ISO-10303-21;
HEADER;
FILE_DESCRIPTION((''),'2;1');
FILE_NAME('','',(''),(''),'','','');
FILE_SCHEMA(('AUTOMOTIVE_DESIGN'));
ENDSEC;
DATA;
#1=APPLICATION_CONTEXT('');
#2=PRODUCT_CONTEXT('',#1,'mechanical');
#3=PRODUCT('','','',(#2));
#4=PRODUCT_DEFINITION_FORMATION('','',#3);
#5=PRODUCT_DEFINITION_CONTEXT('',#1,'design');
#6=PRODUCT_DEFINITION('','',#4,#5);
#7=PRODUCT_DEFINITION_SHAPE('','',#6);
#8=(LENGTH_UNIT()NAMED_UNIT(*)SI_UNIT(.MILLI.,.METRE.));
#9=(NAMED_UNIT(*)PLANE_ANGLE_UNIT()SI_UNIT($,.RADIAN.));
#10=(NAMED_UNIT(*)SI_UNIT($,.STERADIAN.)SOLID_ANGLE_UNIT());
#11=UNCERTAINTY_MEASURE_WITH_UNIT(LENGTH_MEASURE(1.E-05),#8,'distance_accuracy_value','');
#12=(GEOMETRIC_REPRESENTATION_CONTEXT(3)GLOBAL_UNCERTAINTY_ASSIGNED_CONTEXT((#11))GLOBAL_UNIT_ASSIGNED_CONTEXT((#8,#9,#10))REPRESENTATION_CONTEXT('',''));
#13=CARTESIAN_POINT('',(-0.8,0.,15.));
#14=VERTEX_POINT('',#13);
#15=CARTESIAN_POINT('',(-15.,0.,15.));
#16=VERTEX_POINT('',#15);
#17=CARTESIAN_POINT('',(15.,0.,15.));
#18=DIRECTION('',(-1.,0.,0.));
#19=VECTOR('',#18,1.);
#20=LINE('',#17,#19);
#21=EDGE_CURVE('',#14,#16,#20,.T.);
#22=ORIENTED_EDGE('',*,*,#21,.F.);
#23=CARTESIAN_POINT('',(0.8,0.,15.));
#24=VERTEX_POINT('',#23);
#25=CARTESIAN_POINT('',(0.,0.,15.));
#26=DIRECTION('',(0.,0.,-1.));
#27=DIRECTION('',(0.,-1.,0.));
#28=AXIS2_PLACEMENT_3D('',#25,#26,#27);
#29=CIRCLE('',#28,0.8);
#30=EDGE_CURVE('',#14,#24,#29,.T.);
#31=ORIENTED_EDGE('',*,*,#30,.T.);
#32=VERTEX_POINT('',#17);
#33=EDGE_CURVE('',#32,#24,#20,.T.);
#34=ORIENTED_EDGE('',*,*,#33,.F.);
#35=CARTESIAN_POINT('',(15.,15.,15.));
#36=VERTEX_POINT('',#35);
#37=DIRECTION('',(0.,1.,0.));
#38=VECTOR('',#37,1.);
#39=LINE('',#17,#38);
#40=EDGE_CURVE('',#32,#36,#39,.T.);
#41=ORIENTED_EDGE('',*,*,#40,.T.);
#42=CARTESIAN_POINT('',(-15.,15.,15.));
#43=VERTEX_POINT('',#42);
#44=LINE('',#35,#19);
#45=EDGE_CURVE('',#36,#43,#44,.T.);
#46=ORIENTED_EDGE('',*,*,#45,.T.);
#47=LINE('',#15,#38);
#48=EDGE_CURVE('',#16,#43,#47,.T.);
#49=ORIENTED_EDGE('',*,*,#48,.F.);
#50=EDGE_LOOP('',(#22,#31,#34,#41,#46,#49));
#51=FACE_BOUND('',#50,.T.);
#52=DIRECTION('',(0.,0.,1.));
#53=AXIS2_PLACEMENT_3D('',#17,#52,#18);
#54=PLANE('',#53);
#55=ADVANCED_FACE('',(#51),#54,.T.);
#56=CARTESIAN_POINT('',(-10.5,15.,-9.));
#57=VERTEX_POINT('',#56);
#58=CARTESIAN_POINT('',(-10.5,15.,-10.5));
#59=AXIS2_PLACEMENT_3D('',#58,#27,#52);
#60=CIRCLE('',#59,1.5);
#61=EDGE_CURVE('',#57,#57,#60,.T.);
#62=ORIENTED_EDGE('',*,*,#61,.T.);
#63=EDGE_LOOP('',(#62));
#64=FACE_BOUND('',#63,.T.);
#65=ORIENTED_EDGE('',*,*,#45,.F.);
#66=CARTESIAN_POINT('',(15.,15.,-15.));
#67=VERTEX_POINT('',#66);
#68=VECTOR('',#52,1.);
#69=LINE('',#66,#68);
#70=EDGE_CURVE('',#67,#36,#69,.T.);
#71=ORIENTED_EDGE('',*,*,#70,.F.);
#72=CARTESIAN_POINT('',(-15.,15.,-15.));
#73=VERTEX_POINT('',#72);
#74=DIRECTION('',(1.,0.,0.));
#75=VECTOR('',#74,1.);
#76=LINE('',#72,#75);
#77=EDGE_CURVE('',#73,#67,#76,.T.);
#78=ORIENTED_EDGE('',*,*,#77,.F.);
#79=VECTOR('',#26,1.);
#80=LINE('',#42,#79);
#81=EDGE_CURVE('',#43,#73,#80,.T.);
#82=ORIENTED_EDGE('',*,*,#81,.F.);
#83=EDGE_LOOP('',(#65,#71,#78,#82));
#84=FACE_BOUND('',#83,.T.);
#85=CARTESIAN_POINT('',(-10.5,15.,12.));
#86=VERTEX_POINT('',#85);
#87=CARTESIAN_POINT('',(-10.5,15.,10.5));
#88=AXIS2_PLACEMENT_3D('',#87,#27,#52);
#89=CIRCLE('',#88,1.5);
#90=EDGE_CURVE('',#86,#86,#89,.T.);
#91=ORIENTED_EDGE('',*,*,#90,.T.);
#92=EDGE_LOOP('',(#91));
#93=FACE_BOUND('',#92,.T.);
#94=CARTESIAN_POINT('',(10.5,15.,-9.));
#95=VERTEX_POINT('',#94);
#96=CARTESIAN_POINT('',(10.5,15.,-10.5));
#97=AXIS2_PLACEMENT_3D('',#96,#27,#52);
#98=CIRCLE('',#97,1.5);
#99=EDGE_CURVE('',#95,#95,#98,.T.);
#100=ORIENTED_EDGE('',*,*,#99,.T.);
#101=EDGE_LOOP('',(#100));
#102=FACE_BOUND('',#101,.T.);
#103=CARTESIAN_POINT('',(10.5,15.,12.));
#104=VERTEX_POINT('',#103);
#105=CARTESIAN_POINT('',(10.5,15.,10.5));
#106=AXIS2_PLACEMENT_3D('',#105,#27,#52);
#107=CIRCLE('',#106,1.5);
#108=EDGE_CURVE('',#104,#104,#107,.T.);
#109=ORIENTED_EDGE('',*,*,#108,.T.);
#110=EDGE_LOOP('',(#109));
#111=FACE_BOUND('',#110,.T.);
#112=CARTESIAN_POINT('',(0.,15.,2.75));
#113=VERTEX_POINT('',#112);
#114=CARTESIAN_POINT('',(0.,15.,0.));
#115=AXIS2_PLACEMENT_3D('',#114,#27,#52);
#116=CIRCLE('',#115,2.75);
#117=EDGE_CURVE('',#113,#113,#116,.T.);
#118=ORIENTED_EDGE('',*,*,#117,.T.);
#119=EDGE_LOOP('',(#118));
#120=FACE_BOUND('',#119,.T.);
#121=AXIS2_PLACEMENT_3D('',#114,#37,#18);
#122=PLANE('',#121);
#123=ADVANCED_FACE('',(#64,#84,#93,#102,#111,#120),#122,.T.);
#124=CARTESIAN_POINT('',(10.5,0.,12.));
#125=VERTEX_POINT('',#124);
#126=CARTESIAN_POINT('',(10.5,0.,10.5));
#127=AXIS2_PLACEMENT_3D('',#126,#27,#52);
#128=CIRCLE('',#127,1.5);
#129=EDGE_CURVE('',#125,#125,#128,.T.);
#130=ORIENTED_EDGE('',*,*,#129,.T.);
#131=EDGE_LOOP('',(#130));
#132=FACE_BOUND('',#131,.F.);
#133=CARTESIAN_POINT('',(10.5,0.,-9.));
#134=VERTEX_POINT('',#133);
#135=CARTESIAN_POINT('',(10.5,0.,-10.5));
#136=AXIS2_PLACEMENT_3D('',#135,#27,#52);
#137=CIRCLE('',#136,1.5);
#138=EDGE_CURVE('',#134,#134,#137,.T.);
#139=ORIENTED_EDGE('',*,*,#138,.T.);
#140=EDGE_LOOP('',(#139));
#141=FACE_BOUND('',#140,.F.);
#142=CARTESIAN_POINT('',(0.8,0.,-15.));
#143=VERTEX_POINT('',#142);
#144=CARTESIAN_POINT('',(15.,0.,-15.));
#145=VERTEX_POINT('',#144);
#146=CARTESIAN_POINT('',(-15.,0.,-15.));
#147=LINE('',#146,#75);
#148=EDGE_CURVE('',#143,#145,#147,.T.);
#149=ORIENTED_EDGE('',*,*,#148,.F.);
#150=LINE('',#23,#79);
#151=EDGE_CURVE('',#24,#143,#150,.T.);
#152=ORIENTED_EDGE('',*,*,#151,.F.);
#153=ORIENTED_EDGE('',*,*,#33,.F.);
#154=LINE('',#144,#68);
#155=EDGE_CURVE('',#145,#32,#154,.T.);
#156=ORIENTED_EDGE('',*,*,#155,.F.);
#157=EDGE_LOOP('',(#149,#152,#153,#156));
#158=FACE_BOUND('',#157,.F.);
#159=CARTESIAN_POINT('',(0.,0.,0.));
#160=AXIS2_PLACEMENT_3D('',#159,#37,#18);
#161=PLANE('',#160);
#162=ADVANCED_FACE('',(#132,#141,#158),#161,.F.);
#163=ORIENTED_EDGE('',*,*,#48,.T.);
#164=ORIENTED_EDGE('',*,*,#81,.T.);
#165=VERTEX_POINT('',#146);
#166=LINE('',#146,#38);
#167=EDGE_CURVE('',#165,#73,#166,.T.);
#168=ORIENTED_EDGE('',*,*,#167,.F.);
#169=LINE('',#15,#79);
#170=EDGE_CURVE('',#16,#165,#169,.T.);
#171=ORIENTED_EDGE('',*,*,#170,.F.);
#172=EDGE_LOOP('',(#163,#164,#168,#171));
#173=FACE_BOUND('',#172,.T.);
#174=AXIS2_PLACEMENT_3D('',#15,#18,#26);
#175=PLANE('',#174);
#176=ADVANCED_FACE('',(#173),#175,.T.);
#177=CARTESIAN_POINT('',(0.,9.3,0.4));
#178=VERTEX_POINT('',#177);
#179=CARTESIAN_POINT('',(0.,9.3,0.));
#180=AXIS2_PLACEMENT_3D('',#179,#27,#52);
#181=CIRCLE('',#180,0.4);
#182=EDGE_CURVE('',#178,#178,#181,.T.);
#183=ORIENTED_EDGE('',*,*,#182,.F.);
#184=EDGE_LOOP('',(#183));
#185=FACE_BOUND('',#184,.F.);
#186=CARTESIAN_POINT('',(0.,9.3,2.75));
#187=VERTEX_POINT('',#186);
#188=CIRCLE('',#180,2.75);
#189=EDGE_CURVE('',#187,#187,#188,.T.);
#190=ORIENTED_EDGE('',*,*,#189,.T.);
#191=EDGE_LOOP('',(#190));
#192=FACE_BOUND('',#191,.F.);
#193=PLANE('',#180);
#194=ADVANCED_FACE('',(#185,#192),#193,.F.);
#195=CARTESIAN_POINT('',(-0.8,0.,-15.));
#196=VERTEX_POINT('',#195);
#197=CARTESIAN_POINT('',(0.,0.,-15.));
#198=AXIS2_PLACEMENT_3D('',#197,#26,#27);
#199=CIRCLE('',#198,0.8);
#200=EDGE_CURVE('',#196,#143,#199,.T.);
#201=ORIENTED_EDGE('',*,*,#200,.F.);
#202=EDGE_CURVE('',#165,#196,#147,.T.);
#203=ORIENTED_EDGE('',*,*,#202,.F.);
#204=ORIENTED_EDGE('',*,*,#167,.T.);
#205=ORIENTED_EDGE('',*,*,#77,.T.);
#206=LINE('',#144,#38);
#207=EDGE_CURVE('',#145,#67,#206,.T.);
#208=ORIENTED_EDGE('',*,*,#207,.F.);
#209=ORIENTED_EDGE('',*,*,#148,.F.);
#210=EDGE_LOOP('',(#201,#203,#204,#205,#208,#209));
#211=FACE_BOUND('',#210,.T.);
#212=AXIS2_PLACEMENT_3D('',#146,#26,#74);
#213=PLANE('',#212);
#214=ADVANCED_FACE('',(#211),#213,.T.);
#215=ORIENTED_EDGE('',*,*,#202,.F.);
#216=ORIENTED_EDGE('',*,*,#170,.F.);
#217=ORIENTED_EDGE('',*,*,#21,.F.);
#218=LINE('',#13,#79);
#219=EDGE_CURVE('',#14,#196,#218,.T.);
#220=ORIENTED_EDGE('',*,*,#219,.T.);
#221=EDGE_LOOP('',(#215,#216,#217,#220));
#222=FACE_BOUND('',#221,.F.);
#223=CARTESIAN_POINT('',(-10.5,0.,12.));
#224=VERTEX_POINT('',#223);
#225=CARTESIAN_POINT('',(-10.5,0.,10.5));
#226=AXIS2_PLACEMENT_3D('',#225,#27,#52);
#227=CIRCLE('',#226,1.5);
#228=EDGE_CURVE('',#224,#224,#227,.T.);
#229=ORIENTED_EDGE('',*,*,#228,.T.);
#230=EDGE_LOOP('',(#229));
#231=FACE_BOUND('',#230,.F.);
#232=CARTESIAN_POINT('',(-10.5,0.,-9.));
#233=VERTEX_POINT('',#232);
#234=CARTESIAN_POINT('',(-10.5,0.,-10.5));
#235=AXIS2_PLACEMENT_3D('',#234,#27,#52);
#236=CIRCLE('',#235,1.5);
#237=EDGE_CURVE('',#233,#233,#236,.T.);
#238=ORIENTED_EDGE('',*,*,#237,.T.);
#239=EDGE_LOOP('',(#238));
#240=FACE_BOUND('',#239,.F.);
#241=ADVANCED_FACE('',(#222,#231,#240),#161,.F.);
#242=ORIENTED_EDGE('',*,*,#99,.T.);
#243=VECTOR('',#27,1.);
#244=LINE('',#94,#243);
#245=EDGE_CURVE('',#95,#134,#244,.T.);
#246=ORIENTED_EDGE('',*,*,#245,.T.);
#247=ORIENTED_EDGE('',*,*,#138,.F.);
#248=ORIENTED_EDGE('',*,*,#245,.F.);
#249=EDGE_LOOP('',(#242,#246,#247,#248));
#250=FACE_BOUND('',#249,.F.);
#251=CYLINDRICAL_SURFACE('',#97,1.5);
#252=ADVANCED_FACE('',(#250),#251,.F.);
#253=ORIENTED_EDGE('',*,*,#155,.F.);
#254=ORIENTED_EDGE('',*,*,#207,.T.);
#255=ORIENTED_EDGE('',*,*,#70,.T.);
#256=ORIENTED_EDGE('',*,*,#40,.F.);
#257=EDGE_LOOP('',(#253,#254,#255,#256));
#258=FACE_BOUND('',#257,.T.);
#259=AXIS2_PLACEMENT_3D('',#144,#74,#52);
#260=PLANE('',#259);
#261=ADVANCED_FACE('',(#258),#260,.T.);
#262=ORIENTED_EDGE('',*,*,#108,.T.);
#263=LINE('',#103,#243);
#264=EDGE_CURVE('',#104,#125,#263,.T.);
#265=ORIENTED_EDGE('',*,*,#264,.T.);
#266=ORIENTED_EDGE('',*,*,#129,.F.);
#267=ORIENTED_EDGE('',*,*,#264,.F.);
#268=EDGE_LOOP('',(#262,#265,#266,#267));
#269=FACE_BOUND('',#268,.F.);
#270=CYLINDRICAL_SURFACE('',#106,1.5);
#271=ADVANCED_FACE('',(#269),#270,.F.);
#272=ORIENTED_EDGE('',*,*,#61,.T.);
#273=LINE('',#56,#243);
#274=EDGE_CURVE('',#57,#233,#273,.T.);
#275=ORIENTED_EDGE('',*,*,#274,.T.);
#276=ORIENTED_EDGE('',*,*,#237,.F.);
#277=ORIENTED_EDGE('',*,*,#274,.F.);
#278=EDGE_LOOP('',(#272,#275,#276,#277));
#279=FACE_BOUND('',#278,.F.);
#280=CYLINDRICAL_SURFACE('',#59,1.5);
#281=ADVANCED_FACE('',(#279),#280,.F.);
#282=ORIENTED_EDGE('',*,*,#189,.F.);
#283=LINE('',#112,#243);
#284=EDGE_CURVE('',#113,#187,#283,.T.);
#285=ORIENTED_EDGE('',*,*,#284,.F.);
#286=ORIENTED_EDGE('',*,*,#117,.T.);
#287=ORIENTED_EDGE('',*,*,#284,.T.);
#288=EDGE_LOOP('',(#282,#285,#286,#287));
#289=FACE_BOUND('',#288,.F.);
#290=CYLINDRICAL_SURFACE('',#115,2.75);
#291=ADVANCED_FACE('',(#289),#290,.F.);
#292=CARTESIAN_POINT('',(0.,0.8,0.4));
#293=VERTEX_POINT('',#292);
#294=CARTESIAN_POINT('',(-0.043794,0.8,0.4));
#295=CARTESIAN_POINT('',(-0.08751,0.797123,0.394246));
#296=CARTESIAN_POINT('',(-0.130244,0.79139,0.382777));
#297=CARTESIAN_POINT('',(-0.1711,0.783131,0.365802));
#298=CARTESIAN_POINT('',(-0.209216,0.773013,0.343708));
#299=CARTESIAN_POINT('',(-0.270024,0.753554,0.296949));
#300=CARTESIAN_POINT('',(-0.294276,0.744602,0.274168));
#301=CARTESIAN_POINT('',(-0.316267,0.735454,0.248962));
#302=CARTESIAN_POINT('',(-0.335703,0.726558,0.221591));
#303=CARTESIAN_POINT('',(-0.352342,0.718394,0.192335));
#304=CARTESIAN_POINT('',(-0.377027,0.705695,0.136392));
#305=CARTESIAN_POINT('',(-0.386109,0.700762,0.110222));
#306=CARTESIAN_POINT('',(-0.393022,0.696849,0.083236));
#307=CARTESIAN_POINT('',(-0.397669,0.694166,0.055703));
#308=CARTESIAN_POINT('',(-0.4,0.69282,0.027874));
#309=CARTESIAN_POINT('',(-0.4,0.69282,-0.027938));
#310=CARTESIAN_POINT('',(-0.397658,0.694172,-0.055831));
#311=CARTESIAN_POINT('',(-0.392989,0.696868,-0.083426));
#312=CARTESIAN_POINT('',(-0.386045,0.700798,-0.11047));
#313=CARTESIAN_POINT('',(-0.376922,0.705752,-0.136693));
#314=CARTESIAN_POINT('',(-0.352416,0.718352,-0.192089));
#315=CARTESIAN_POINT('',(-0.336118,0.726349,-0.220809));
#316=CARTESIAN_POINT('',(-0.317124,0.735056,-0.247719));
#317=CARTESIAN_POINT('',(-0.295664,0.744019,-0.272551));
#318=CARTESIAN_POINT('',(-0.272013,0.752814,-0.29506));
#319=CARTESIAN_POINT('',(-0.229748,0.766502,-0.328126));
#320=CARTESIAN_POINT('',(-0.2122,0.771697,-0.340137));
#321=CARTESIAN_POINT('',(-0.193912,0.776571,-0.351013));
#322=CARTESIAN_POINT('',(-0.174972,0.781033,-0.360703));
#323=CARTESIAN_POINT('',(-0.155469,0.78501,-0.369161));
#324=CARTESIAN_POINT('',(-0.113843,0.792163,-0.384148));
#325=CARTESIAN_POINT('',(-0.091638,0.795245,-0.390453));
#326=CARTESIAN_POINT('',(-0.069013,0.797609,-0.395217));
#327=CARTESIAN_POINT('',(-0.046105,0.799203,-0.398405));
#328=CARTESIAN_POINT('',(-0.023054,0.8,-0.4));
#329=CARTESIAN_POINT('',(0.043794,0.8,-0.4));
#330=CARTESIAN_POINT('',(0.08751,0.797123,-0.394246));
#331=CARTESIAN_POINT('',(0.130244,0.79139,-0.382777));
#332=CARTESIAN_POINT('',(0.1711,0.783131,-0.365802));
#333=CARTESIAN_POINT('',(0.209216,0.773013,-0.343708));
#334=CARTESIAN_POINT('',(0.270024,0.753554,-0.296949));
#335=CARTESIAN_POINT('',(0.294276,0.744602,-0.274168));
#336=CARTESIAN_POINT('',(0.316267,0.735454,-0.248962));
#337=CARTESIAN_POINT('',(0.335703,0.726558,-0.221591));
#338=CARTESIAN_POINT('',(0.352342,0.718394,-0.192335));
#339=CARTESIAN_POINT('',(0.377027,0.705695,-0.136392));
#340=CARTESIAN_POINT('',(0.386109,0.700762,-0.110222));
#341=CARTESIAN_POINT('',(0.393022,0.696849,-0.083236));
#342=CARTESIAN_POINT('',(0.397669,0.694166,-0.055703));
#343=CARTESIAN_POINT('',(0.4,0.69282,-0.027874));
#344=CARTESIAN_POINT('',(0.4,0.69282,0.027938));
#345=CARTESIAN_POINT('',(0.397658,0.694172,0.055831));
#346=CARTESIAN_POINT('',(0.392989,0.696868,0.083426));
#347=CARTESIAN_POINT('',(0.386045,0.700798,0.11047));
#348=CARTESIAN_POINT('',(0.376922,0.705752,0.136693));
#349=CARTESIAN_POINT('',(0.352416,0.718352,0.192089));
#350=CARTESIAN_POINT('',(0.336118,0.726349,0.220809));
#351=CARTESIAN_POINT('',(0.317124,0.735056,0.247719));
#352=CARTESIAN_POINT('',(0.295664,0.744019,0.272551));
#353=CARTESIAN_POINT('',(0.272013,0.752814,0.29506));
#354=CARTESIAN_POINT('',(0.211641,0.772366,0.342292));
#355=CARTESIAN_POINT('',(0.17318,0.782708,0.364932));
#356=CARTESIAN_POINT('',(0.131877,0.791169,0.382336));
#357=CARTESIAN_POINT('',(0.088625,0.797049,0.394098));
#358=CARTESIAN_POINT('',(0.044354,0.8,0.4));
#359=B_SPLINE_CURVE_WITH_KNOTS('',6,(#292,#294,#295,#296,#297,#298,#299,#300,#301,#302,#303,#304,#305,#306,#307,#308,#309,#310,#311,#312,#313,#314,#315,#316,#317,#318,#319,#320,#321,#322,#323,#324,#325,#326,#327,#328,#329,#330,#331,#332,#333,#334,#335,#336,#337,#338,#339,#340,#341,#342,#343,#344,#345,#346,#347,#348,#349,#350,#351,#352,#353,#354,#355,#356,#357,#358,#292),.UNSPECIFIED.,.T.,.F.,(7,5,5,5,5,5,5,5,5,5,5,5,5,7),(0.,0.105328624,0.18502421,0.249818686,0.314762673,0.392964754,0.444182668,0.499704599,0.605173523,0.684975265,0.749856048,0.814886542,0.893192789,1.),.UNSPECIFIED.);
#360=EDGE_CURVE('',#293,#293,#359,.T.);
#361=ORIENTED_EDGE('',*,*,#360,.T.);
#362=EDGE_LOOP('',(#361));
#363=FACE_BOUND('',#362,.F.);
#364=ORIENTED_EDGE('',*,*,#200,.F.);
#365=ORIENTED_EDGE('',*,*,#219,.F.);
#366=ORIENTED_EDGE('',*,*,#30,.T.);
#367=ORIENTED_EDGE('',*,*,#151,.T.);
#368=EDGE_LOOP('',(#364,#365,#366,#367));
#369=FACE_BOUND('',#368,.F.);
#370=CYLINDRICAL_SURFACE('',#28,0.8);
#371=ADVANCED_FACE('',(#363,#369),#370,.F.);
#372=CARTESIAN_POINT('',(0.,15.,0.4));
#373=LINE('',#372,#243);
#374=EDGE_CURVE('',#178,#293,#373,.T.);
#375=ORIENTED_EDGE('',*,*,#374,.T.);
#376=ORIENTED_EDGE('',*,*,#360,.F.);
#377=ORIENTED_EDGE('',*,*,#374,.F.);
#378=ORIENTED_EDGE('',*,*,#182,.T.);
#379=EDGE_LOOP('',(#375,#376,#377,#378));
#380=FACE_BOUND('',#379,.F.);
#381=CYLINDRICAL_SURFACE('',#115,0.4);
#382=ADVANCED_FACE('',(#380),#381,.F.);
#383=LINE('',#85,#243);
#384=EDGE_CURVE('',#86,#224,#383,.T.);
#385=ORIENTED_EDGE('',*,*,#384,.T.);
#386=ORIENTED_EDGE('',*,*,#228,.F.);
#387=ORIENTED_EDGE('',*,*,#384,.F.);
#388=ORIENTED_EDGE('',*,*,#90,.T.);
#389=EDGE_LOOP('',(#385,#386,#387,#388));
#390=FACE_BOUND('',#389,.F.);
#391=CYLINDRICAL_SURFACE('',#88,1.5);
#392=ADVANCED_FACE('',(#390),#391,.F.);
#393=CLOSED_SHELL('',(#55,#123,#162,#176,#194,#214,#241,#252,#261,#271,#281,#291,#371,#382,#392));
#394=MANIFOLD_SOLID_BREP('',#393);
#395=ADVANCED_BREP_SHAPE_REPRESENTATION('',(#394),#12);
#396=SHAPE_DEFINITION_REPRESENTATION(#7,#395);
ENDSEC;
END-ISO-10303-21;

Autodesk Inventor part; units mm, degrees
ref_plane "YZ Plane" through (0, 0, 0) normal (1, 0, 0) x (0, 1, 0)
ref_plane "XZ Plane" through (0, 0, 0) normal (0, 1, 0) x (-1, 0, 0)
ref_plane "XY Plane" through (0, 0, 0) normal (0, 0, 1) x (1, 0, 0)
sketch "Skizze1" plane through (0, 0, 0) normal (0, 1, 0) x (-1, 0, 0)
  line L0 (-15, 15) -> (15, 15)
  line L1 (15, 15) -> (15, -15)
  line L2 (15, -15) -> (-15, -15)
  line L3 (-15, -15) -> (-15, 15)
  line L4 (-15, 15) -> (15, -15) construction
  line L5 (15, 15) -> (-15, -15) construction
  point P0 (0, 0)
  dimension "d0" = 30
  dimension "d1" = 30
extrude "Extrusion1" add sketch "Skizze1" along normal blind 15
sketch "Skizze2" plane through (-15, 0, 15) normal (0, 0, 1) x (1, 0, 0)
  circle A0 centre (15, 0) radius 0.8
  dimension "d4" = 1.6
hole "Bohrung1" at (0, 0, 15) direction (0, 0, -1) diameter 1.6 end through all
sketch "Skizze3" plane through (0, 15, 0) normal (0, 1, 0) x (1, 0, 0)
  point P0 (0, 0)
hole "Bohrung2" at (0, 15, 0) direction (0, -1, 0) diameter 0.8 end through all
sketch "Skizze4" plane through (0, 15, 0) normal (0, 1, 0) x (1, 0, 0)
  point P0 (0, 0)
  point P1 (0, 0)
hole "Bohrung3" at (0, 15, 0) direction (0, -1, 0) diameter 5.5 depth 5.7
sketch "Skizze5" plane through (0, 15, 0) normal (0, 1, 0) x (1, 0, 0)
  point P0 (0, 0)
sketch "Skizze6" plane through (0, 15, 0) normal (0, 1, 0) x (1, 0, 0)
  line L0 (10.5, 10.5) -> (-10.5, 10.5)
  line L1 (-10.5, 10.5) -> (-10.5, -10.5)
  line L2 (-10.5, -10.5) -> (10.5, -10.5)
  line L3 (10.5, -10.5) -> (10.5, 10.5)
  circle A0 centre (0, 0) radius 0.4 projected
  line L4 (10.5, 10.5) -> (-10.5, -10.5) construction
  line L5 (-10.5, 10.5) -> (10.5, -10.5) construction
  dimension "d26" = 21
  dimension "d27" = 21
hole "Bohrung4" at (10.5, 15, 10.5) at (-10.5, 15, 10.5) at (-10.5, 15, -10.5) at (10.5, 15, -10.5) direction (0, -1, 0) diameter 3 end through all
properties part number "LS1_Aufsatz" material "PMMA-Kunststoff"
